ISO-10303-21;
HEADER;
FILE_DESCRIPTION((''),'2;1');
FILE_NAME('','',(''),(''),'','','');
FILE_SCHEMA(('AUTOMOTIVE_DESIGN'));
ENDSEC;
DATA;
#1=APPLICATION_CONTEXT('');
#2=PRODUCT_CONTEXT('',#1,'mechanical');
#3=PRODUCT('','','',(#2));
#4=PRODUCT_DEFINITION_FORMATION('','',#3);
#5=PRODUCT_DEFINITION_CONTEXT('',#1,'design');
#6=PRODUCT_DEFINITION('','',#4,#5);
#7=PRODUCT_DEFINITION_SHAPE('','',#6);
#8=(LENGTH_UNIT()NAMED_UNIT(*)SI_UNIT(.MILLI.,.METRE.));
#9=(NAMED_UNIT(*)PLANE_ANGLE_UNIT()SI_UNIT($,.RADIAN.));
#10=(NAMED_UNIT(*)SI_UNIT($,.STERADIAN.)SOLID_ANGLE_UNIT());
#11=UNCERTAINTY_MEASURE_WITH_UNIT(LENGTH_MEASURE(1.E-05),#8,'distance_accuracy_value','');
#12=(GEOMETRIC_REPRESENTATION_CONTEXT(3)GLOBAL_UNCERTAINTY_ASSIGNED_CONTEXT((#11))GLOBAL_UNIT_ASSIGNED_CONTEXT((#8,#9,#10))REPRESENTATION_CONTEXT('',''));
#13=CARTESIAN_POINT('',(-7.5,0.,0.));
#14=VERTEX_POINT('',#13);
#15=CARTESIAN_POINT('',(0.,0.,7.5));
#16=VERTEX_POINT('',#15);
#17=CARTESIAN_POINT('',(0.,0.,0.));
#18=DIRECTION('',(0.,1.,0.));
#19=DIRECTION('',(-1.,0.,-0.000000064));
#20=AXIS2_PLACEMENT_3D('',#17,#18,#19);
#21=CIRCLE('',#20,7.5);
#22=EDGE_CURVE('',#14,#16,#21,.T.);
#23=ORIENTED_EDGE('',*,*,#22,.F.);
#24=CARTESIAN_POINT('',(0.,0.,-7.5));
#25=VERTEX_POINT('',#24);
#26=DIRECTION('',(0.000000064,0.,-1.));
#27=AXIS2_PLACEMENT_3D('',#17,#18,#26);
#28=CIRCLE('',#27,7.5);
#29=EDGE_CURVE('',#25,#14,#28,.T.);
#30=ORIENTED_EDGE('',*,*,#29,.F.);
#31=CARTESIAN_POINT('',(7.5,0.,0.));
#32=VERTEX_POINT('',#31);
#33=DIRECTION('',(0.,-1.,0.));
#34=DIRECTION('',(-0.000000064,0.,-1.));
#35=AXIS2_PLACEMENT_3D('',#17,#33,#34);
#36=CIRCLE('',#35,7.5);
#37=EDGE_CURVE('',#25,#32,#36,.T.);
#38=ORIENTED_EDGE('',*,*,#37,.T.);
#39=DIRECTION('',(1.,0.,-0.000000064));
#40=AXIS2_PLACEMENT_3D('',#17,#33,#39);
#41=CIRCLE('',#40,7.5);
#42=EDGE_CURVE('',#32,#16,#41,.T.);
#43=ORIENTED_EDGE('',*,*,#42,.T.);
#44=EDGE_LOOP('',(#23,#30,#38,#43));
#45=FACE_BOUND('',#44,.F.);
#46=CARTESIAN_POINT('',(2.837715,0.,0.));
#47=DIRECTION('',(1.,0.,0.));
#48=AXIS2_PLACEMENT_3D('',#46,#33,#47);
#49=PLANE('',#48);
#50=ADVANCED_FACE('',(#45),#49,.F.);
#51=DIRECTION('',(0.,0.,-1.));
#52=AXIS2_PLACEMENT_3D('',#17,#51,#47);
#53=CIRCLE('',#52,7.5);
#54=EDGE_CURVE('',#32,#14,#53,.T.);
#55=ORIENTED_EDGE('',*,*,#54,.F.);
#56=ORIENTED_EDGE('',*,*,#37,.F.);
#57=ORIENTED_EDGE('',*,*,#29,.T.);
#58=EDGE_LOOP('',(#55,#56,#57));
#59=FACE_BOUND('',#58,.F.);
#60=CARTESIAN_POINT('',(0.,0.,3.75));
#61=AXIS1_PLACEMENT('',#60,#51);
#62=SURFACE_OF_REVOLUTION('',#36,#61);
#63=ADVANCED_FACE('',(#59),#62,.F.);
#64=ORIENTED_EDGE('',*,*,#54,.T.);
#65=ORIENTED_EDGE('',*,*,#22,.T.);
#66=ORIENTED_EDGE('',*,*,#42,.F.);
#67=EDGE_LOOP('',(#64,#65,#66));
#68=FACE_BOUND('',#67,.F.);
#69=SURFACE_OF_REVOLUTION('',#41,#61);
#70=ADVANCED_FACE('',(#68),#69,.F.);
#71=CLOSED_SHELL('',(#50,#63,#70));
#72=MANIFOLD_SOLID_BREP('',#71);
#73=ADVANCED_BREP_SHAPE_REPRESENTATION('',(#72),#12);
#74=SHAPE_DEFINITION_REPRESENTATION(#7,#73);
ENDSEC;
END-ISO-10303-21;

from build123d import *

# Parameters (mm, degrees)
F1_ANGLE = -180


with BuildPart() as f1:
    # F0 (on Front) → F1 (revolve)
    with BuildSketch(Plane.XZ):
        with BuildLine():
            ThreePointArc((0, -7.5), (5.303301, -5.303301), (7.5, 0))
            ThreePointArc((7.5, 0), (5.303301, 5.303301), (0, 7.5))
            Line((0, 7.5), (0, 0))
            Line((0, 0), (0, -7.5))
        make_face()
    revolve(axis=Axis((0, 0, 3.75), (0, 0, 1)), revolution_arc=F1_ANGLE)


solid = f1.part
